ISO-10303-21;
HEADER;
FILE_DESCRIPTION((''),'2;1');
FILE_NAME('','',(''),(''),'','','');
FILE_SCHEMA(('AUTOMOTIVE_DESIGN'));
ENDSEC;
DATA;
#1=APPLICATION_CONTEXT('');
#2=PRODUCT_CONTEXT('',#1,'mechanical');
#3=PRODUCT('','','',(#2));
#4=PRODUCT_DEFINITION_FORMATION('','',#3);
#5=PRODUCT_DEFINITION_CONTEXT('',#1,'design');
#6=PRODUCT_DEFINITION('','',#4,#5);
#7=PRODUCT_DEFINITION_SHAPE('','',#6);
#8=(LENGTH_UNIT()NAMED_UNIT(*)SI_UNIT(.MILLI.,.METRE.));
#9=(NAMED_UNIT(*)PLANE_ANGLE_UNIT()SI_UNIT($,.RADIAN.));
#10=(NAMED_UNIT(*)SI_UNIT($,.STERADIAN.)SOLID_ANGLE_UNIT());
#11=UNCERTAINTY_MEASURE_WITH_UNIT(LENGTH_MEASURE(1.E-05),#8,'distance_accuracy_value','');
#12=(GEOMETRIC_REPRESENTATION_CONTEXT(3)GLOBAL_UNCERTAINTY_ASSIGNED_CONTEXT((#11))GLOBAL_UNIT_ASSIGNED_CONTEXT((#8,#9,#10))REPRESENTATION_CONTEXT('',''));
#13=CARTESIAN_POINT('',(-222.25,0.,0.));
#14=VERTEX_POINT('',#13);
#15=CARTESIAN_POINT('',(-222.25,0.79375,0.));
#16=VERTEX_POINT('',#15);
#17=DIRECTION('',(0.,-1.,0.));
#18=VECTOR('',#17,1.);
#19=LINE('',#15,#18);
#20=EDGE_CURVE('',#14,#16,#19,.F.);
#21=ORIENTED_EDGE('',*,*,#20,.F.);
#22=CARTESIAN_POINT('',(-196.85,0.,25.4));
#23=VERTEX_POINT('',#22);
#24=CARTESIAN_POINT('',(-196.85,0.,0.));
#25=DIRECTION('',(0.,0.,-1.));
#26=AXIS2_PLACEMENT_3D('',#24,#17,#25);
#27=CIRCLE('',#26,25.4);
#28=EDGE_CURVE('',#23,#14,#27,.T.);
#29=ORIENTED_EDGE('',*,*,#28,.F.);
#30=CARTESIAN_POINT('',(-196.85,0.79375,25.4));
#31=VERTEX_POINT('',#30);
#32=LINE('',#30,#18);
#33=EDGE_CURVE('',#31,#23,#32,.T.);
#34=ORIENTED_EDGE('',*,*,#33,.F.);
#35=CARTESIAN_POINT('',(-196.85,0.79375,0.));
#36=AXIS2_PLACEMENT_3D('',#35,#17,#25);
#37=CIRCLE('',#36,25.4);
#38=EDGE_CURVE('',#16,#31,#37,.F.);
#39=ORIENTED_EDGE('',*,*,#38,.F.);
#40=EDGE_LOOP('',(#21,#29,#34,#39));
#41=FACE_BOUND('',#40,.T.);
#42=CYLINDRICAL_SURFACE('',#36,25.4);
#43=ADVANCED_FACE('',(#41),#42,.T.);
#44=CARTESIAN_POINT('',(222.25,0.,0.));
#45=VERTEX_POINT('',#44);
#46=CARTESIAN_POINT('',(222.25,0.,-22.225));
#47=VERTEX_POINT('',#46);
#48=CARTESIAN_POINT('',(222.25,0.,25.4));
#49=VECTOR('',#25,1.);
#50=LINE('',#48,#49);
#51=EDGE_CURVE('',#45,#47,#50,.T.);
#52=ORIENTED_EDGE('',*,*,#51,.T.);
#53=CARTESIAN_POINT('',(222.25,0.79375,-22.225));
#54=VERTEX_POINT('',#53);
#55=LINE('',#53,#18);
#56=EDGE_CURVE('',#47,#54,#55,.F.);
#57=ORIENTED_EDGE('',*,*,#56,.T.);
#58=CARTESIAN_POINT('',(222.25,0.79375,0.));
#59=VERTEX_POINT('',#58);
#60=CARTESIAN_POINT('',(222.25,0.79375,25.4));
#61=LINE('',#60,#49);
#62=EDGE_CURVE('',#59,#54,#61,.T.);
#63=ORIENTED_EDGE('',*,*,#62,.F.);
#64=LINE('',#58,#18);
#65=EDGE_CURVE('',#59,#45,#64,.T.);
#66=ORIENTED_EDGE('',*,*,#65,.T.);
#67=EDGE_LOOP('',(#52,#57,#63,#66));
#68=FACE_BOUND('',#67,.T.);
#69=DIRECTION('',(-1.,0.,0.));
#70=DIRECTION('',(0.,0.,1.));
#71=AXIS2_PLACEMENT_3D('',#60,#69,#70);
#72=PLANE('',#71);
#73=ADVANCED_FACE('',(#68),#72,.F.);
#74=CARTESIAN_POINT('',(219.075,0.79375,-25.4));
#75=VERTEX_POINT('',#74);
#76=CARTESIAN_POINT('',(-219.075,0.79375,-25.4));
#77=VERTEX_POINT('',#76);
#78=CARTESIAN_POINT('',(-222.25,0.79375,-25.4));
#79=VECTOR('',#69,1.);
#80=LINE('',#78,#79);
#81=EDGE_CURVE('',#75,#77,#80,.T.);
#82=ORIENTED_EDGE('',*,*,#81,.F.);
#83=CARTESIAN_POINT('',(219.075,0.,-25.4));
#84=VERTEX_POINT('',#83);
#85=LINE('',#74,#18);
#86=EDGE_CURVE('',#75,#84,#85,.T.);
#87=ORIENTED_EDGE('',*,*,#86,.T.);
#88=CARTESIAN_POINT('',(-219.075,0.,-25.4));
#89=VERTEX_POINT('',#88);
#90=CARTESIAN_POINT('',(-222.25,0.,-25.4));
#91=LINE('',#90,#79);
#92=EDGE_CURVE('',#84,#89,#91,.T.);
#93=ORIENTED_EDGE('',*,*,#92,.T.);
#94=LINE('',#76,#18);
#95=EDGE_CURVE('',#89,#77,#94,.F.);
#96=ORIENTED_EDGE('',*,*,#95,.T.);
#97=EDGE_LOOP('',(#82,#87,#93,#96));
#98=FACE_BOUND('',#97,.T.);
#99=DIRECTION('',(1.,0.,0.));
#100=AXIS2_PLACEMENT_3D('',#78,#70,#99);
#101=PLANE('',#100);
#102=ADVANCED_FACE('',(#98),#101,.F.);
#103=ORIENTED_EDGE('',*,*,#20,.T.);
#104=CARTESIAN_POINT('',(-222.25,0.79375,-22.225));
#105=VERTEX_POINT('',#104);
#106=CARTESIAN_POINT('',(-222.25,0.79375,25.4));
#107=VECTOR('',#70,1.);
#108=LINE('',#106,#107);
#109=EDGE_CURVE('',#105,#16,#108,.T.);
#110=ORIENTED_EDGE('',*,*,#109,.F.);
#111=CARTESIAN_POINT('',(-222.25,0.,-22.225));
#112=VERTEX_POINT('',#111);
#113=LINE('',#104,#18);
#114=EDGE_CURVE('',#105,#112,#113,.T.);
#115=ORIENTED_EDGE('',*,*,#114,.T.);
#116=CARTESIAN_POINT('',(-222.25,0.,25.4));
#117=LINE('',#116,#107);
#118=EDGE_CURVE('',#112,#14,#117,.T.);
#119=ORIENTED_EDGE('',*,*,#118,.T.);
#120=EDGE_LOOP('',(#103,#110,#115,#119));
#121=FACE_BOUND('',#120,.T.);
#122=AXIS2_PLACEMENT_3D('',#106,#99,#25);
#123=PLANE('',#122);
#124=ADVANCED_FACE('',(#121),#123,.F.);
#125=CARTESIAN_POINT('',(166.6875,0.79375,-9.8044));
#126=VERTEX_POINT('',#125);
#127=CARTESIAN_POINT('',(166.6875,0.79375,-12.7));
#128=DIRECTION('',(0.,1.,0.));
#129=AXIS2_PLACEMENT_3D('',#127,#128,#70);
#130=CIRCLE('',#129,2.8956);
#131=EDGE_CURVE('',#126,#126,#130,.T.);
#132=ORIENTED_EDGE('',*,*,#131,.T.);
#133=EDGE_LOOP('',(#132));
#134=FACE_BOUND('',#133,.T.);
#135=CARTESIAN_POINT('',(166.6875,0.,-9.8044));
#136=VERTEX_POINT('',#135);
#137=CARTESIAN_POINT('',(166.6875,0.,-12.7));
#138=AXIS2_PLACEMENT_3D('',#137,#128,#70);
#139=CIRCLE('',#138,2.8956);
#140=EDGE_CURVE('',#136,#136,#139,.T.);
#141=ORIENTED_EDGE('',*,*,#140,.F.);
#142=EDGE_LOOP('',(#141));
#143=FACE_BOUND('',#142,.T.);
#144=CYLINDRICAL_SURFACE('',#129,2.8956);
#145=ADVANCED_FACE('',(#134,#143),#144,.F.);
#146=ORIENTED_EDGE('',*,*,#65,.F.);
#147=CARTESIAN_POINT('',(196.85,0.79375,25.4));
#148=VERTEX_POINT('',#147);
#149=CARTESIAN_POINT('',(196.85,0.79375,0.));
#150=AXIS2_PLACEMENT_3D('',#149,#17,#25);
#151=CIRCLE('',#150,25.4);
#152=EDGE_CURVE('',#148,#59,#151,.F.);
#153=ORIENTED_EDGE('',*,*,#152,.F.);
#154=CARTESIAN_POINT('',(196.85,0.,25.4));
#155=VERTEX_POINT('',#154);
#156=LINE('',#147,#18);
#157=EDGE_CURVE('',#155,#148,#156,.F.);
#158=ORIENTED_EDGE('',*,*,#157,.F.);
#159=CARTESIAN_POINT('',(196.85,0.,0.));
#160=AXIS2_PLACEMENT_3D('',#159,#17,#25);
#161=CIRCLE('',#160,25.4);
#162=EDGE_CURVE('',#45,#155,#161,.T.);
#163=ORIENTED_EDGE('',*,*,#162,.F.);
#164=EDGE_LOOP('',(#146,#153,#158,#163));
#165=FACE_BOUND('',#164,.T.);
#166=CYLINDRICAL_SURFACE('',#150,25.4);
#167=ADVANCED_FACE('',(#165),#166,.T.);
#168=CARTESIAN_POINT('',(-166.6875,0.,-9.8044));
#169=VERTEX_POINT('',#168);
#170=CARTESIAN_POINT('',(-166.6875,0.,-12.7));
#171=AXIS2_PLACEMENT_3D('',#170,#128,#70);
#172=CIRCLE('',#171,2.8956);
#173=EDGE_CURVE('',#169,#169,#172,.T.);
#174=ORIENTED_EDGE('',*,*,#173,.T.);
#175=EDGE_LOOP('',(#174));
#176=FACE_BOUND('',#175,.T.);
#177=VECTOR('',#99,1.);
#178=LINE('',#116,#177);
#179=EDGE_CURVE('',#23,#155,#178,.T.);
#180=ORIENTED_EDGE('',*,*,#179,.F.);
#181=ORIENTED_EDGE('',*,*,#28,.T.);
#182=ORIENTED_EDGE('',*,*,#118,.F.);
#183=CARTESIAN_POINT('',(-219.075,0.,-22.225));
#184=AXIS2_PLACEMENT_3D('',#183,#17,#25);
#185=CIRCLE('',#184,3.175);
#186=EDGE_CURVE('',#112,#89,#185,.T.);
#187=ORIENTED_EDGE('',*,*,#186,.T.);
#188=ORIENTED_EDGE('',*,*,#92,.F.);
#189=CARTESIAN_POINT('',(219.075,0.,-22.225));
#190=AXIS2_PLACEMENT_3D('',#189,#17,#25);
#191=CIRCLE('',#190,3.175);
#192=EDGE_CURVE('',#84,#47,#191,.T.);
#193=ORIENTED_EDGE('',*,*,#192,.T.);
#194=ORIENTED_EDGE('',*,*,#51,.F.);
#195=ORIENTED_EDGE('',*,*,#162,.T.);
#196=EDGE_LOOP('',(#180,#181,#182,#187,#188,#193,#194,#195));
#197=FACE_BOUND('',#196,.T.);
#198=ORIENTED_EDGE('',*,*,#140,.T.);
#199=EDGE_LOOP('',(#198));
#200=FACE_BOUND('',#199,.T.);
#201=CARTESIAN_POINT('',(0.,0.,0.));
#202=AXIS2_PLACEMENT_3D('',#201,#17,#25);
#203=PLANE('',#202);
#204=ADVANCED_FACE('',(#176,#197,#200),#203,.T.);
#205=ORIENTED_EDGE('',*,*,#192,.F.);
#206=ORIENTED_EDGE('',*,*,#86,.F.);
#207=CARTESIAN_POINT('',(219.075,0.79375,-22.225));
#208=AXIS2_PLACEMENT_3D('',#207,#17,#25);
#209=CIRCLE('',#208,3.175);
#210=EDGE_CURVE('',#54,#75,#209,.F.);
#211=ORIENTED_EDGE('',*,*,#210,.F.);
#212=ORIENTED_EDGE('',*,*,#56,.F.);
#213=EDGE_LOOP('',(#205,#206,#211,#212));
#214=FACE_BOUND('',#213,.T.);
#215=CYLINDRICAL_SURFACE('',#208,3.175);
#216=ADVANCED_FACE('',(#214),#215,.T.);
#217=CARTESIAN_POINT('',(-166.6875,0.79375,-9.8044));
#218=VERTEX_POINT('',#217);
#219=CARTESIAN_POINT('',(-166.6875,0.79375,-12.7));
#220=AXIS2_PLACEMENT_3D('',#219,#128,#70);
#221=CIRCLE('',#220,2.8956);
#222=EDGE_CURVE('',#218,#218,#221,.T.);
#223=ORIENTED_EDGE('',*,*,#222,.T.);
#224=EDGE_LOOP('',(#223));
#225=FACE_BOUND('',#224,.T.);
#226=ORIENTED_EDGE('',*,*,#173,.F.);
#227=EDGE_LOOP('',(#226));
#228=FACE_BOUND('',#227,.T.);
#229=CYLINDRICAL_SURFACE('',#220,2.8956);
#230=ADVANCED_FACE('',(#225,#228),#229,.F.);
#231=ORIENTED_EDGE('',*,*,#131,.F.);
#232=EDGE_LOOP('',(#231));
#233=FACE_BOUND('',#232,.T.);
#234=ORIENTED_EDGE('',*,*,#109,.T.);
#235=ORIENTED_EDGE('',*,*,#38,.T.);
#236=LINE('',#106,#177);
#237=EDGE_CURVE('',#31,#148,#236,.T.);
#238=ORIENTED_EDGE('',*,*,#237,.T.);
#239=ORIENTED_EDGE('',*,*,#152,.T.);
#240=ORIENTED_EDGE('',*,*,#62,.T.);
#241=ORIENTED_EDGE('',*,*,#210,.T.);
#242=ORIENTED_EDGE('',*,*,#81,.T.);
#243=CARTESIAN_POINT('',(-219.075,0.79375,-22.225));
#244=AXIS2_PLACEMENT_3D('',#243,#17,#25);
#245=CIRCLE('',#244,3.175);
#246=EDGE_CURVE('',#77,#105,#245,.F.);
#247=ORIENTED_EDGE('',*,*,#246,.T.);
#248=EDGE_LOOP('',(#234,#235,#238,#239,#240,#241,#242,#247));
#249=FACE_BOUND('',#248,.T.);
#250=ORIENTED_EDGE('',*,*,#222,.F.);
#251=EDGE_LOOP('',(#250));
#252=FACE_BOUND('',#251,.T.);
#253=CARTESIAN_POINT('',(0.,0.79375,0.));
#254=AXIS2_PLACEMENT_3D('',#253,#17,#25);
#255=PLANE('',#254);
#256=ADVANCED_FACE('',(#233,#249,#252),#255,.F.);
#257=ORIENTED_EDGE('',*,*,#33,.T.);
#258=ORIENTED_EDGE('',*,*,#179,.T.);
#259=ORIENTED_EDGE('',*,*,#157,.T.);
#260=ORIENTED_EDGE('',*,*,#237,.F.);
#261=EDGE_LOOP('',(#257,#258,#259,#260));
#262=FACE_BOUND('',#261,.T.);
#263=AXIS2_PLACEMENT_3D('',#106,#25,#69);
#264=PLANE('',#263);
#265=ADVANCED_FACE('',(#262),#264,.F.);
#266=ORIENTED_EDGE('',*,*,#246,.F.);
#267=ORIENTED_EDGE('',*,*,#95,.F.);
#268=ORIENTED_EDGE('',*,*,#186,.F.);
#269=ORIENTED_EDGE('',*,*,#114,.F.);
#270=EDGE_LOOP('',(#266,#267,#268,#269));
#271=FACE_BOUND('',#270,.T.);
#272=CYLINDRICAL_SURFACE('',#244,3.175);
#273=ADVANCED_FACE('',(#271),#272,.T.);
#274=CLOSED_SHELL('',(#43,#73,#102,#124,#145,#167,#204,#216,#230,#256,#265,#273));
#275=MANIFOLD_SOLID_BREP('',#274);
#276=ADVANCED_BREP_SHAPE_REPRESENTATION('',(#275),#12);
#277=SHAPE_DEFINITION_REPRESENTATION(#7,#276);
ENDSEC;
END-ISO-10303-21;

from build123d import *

# Parameters (mm, degrees)
SKETCH1_W                  = 444.5
SKETCH1_H                  = 50.8
BOSS_EXTRUDE1_DEPTH        = 0.79375
FILLET1_R                  = 25.4
FILLET2_R                  = 3.175
F_1_0_228_DIAMETER_HOLE1_D = 5.7912


with BuildPart() as part:
    # Sketch1 → Boss-Extrude1 (new body)
    with BuildSketch(Plane(origin=(0, 0, 0), x_dir=(1, 0, 0), z_dir=(0, 1, 0))):
        Rectangle(SKETCH1_W, SKETCH1_H)
    extrude(amount=BOSS_EXTRUDE1_DEPTH)

    # Fillet1
    fillet1_edges = [part.edges().sort_by_distance(p)[0] for p in [
        (222.25, 0.396875, 25.4),
        (-222.25, 0.396875, 25.4),
    ]]
    fillet(fillet1_edges, radius=FILLET1_R)

    # Fillet2
    fillet2_edges = [part.edges().sort_by_distance(p)[0] for p in [
        (-222.25, 0.396875, -25.4),
        (222.25, 0.396875, -25.4),
    ]]
    fillet(fillet2_edges, radius=FILLET2_R)

    # #1 (0.228) Diameter Hole1 (through all)
    with Locations(Plane(origin=(0, 0.79375, 0), x_dir=(1, 0, 0), z_dir=(0, 1, 0))):
        with Locations((166.6875, 12.7), (-166.6875, 12.7)):
            Hole(F_1_0_228_DIAMETER_HOLE1_D / 2)


solid = part.part
